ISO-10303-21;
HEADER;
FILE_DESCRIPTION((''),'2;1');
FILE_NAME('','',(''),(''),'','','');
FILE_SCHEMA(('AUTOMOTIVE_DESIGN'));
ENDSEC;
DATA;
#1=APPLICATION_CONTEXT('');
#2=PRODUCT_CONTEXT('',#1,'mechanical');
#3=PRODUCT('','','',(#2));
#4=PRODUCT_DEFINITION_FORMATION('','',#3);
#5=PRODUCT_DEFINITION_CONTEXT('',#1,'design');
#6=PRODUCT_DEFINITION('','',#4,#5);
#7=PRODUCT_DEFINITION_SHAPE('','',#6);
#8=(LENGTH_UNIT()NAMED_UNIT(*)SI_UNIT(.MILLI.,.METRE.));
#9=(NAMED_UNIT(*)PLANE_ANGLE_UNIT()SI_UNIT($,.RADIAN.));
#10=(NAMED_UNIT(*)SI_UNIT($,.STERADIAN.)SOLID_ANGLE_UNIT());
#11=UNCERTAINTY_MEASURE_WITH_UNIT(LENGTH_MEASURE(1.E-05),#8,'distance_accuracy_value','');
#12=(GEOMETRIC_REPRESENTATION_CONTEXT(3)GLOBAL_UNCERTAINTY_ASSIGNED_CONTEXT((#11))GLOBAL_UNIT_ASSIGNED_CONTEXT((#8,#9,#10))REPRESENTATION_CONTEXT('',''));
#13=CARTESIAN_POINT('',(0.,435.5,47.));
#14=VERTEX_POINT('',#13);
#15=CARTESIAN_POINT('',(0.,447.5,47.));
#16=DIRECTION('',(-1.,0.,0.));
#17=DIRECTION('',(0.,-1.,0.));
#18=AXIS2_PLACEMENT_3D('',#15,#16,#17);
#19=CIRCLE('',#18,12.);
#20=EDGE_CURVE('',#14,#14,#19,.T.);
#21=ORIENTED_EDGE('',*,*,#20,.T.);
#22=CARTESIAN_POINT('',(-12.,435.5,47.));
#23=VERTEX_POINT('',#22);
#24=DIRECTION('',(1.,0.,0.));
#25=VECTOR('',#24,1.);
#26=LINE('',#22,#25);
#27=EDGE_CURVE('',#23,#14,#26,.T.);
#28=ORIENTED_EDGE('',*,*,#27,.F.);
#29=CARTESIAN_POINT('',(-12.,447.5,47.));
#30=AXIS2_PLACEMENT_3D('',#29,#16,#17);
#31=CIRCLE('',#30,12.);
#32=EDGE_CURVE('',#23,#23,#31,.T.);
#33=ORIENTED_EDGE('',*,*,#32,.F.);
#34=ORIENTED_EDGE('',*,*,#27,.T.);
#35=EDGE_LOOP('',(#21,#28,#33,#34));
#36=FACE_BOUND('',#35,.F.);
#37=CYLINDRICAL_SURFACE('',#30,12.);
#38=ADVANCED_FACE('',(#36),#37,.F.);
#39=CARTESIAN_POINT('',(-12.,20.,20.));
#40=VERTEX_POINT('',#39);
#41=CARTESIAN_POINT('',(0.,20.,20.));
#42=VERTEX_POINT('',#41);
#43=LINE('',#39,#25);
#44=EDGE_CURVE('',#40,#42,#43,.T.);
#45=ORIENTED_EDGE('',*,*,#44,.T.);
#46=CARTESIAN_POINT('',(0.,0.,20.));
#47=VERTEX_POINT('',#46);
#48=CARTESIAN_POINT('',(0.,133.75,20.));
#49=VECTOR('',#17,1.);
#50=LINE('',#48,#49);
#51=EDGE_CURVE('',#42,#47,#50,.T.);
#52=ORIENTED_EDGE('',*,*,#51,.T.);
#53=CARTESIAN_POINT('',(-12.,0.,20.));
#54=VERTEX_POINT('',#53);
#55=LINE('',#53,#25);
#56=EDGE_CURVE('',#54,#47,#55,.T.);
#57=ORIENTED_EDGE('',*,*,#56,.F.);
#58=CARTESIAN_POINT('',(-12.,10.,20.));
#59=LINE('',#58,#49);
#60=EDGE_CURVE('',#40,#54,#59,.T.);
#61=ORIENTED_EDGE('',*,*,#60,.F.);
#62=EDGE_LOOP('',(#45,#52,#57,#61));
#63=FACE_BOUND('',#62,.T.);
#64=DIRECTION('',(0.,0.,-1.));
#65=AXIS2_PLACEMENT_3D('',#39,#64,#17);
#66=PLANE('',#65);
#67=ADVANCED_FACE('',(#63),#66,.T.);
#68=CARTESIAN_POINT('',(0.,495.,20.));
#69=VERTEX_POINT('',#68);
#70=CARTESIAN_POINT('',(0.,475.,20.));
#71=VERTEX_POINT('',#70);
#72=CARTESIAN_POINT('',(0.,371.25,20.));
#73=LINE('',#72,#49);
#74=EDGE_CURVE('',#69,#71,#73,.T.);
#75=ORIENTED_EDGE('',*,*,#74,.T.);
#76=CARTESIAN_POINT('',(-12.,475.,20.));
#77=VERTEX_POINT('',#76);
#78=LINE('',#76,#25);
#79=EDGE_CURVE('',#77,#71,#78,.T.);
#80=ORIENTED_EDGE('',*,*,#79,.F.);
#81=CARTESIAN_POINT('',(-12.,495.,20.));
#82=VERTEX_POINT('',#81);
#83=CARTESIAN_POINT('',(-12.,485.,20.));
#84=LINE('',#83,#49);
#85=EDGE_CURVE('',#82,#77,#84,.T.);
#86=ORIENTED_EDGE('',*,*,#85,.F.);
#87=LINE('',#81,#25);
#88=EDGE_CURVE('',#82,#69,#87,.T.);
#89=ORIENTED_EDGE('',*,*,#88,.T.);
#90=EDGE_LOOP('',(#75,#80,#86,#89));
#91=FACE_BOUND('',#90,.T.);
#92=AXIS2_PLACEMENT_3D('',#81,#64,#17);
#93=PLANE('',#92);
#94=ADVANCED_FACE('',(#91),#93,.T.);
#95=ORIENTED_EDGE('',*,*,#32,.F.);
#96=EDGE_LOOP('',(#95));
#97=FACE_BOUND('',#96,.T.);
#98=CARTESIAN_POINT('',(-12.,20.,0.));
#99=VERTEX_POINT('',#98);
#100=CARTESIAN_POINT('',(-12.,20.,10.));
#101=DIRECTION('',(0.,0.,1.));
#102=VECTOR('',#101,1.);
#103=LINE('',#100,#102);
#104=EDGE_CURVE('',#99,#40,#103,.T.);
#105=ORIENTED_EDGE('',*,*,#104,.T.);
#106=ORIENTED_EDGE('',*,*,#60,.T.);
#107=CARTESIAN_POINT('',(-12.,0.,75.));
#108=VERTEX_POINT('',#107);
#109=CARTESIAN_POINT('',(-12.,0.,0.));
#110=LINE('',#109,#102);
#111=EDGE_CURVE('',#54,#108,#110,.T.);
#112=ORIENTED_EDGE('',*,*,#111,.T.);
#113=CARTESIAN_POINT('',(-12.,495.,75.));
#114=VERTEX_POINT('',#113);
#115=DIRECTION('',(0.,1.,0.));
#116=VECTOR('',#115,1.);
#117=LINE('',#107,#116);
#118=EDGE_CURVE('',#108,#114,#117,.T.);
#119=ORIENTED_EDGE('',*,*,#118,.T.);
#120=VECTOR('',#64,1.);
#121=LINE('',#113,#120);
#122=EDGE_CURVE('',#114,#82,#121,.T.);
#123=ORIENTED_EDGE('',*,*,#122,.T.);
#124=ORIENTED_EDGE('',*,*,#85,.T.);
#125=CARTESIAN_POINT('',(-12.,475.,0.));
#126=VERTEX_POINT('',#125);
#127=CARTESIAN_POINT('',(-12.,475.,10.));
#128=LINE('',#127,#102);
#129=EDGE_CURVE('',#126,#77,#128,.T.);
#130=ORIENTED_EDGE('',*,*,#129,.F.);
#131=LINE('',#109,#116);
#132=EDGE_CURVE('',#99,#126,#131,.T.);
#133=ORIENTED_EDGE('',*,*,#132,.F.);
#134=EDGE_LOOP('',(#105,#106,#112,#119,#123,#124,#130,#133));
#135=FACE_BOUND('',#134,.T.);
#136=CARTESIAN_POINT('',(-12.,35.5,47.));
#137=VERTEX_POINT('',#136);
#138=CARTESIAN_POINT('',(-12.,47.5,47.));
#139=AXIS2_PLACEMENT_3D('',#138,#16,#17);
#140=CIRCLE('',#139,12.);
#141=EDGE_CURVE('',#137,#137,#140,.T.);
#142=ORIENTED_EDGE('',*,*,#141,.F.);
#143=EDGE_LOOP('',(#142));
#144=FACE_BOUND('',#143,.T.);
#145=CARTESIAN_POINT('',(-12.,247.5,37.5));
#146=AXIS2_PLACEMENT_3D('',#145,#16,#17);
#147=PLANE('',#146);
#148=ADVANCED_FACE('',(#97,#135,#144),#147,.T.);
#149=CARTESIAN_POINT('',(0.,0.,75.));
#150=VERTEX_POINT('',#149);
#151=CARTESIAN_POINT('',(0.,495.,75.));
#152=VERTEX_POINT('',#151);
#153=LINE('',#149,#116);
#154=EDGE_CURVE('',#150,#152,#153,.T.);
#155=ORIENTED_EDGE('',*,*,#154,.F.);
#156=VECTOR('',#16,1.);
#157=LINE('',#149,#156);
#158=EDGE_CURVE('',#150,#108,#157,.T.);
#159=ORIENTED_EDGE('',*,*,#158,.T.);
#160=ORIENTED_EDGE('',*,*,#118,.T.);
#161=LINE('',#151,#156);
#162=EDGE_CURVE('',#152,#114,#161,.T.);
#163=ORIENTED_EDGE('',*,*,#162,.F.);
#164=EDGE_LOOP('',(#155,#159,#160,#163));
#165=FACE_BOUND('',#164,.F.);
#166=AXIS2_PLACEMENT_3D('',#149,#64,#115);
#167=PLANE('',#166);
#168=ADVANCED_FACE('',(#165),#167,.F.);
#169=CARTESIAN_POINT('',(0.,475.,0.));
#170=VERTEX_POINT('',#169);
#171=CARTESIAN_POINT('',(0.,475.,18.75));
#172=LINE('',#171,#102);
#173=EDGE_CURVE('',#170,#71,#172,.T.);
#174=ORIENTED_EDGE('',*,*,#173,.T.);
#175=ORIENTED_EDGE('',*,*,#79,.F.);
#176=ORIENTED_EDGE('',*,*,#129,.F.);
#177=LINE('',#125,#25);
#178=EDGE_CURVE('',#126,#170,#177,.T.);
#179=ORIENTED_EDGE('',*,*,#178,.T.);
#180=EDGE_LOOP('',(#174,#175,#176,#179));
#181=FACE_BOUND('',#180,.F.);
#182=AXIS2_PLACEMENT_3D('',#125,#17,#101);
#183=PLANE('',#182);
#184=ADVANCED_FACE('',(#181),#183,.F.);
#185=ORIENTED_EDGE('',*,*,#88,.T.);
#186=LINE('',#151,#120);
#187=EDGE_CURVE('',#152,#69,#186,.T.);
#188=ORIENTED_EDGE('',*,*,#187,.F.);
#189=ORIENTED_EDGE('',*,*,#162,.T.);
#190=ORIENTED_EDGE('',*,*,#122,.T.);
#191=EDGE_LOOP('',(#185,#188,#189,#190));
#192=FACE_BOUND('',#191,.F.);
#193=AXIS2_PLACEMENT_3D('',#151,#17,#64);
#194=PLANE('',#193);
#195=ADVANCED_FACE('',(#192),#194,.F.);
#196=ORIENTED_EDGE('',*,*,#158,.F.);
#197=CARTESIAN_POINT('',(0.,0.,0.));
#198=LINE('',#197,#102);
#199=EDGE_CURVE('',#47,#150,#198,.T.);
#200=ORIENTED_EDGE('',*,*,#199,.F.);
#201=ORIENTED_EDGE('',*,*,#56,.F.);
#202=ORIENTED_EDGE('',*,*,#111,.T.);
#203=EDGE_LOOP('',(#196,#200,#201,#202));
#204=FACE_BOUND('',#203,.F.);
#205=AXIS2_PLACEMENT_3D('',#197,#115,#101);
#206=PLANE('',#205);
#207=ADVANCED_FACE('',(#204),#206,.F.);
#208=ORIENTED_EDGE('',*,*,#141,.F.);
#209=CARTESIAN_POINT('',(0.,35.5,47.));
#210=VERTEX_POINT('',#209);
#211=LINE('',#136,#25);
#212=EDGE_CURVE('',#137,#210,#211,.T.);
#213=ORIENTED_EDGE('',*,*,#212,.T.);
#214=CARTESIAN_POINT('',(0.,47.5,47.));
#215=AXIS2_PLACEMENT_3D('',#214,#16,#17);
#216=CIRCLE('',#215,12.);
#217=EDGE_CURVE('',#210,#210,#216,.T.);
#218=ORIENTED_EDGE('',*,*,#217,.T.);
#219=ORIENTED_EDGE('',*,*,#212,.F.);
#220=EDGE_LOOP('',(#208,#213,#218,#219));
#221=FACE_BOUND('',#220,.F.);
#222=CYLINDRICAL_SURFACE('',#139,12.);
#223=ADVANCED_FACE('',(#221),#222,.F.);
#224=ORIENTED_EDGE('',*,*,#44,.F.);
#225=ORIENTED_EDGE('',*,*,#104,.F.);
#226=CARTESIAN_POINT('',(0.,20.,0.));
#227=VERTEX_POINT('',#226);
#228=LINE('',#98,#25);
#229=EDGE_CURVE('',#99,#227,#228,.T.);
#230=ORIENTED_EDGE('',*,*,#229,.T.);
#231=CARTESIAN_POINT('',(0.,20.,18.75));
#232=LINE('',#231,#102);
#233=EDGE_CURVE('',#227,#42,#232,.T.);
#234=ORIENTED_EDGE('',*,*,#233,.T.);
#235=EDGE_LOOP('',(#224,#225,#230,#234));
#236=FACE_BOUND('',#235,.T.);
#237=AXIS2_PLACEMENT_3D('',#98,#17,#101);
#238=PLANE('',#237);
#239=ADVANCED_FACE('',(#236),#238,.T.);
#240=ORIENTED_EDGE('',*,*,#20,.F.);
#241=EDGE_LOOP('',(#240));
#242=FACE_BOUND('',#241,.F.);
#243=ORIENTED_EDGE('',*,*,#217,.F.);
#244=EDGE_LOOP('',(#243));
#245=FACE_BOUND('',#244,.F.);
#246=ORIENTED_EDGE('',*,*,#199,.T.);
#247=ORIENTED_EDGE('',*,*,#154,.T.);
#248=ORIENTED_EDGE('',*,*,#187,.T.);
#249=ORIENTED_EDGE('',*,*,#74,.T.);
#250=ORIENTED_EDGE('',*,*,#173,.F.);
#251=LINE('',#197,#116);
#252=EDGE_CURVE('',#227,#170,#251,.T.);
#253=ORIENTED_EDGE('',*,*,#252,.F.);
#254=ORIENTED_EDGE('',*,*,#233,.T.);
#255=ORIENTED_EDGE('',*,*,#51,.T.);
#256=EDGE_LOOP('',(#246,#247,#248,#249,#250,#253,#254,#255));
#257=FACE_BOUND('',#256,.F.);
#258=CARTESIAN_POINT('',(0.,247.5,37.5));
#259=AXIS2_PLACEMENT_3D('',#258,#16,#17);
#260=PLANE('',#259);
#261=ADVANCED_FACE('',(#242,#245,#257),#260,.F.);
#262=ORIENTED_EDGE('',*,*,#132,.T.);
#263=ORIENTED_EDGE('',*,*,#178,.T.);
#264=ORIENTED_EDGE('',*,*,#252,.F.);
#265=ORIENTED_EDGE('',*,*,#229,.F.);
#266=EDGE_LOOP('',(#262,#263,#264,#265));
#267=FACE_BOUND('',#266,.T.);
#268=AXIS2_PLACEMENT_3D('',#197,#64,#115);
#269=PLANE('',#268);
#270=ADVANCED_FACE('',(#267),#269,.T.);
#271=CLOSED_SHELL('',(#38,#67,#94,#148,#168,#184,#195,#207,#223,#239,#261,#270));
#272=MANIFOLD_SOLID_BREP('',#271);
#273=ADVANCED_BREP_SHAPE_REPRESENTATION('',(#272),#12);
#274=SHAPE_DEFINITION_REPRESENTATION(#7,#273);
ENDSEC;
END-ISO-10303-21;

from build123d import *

# Parameters (mm, degrees)
PAD_DEPTH    = 12
SKETCH001_R  = 12
SKETCH001_W  = 20
SKETCH001_H  = 20
POCKET_DEPTH = 20


with BuildPart() as part:
    # Sketch → Pad (new body)
    with BuildSketch(Plane.YZ):
        Polygon((0, 0), (0, 75), (495, 75), (495, 0), (247.5, 0), align=None)
    extrude(amount=-PAD_DEPTH)

    # Sketch001 (on Face7 of Pad) → Pocket (cut)
    with BuildSketch(Plane(origin=(-12, 0, 0), x_dir=(0, -1, 0), z_dir=(-1, 0, 0))):
        with Locations((-447.5, 47)):
            Circle(SKETCH001_R)
        with Locations((-47.5, 47)):
            Circle(SKETCH001_R)
        with Locations((-10, 10)):
            Rectangle(SKETCH001_W, SKETCH001_H)
        with Locations((-485, 10)):
            Rectangle(SKETCH001_W, SKETCH001_H)
    extrude(amount=-POCKET_DEPTH, mode=Mode.SUBTRACT)


solid = part.part
